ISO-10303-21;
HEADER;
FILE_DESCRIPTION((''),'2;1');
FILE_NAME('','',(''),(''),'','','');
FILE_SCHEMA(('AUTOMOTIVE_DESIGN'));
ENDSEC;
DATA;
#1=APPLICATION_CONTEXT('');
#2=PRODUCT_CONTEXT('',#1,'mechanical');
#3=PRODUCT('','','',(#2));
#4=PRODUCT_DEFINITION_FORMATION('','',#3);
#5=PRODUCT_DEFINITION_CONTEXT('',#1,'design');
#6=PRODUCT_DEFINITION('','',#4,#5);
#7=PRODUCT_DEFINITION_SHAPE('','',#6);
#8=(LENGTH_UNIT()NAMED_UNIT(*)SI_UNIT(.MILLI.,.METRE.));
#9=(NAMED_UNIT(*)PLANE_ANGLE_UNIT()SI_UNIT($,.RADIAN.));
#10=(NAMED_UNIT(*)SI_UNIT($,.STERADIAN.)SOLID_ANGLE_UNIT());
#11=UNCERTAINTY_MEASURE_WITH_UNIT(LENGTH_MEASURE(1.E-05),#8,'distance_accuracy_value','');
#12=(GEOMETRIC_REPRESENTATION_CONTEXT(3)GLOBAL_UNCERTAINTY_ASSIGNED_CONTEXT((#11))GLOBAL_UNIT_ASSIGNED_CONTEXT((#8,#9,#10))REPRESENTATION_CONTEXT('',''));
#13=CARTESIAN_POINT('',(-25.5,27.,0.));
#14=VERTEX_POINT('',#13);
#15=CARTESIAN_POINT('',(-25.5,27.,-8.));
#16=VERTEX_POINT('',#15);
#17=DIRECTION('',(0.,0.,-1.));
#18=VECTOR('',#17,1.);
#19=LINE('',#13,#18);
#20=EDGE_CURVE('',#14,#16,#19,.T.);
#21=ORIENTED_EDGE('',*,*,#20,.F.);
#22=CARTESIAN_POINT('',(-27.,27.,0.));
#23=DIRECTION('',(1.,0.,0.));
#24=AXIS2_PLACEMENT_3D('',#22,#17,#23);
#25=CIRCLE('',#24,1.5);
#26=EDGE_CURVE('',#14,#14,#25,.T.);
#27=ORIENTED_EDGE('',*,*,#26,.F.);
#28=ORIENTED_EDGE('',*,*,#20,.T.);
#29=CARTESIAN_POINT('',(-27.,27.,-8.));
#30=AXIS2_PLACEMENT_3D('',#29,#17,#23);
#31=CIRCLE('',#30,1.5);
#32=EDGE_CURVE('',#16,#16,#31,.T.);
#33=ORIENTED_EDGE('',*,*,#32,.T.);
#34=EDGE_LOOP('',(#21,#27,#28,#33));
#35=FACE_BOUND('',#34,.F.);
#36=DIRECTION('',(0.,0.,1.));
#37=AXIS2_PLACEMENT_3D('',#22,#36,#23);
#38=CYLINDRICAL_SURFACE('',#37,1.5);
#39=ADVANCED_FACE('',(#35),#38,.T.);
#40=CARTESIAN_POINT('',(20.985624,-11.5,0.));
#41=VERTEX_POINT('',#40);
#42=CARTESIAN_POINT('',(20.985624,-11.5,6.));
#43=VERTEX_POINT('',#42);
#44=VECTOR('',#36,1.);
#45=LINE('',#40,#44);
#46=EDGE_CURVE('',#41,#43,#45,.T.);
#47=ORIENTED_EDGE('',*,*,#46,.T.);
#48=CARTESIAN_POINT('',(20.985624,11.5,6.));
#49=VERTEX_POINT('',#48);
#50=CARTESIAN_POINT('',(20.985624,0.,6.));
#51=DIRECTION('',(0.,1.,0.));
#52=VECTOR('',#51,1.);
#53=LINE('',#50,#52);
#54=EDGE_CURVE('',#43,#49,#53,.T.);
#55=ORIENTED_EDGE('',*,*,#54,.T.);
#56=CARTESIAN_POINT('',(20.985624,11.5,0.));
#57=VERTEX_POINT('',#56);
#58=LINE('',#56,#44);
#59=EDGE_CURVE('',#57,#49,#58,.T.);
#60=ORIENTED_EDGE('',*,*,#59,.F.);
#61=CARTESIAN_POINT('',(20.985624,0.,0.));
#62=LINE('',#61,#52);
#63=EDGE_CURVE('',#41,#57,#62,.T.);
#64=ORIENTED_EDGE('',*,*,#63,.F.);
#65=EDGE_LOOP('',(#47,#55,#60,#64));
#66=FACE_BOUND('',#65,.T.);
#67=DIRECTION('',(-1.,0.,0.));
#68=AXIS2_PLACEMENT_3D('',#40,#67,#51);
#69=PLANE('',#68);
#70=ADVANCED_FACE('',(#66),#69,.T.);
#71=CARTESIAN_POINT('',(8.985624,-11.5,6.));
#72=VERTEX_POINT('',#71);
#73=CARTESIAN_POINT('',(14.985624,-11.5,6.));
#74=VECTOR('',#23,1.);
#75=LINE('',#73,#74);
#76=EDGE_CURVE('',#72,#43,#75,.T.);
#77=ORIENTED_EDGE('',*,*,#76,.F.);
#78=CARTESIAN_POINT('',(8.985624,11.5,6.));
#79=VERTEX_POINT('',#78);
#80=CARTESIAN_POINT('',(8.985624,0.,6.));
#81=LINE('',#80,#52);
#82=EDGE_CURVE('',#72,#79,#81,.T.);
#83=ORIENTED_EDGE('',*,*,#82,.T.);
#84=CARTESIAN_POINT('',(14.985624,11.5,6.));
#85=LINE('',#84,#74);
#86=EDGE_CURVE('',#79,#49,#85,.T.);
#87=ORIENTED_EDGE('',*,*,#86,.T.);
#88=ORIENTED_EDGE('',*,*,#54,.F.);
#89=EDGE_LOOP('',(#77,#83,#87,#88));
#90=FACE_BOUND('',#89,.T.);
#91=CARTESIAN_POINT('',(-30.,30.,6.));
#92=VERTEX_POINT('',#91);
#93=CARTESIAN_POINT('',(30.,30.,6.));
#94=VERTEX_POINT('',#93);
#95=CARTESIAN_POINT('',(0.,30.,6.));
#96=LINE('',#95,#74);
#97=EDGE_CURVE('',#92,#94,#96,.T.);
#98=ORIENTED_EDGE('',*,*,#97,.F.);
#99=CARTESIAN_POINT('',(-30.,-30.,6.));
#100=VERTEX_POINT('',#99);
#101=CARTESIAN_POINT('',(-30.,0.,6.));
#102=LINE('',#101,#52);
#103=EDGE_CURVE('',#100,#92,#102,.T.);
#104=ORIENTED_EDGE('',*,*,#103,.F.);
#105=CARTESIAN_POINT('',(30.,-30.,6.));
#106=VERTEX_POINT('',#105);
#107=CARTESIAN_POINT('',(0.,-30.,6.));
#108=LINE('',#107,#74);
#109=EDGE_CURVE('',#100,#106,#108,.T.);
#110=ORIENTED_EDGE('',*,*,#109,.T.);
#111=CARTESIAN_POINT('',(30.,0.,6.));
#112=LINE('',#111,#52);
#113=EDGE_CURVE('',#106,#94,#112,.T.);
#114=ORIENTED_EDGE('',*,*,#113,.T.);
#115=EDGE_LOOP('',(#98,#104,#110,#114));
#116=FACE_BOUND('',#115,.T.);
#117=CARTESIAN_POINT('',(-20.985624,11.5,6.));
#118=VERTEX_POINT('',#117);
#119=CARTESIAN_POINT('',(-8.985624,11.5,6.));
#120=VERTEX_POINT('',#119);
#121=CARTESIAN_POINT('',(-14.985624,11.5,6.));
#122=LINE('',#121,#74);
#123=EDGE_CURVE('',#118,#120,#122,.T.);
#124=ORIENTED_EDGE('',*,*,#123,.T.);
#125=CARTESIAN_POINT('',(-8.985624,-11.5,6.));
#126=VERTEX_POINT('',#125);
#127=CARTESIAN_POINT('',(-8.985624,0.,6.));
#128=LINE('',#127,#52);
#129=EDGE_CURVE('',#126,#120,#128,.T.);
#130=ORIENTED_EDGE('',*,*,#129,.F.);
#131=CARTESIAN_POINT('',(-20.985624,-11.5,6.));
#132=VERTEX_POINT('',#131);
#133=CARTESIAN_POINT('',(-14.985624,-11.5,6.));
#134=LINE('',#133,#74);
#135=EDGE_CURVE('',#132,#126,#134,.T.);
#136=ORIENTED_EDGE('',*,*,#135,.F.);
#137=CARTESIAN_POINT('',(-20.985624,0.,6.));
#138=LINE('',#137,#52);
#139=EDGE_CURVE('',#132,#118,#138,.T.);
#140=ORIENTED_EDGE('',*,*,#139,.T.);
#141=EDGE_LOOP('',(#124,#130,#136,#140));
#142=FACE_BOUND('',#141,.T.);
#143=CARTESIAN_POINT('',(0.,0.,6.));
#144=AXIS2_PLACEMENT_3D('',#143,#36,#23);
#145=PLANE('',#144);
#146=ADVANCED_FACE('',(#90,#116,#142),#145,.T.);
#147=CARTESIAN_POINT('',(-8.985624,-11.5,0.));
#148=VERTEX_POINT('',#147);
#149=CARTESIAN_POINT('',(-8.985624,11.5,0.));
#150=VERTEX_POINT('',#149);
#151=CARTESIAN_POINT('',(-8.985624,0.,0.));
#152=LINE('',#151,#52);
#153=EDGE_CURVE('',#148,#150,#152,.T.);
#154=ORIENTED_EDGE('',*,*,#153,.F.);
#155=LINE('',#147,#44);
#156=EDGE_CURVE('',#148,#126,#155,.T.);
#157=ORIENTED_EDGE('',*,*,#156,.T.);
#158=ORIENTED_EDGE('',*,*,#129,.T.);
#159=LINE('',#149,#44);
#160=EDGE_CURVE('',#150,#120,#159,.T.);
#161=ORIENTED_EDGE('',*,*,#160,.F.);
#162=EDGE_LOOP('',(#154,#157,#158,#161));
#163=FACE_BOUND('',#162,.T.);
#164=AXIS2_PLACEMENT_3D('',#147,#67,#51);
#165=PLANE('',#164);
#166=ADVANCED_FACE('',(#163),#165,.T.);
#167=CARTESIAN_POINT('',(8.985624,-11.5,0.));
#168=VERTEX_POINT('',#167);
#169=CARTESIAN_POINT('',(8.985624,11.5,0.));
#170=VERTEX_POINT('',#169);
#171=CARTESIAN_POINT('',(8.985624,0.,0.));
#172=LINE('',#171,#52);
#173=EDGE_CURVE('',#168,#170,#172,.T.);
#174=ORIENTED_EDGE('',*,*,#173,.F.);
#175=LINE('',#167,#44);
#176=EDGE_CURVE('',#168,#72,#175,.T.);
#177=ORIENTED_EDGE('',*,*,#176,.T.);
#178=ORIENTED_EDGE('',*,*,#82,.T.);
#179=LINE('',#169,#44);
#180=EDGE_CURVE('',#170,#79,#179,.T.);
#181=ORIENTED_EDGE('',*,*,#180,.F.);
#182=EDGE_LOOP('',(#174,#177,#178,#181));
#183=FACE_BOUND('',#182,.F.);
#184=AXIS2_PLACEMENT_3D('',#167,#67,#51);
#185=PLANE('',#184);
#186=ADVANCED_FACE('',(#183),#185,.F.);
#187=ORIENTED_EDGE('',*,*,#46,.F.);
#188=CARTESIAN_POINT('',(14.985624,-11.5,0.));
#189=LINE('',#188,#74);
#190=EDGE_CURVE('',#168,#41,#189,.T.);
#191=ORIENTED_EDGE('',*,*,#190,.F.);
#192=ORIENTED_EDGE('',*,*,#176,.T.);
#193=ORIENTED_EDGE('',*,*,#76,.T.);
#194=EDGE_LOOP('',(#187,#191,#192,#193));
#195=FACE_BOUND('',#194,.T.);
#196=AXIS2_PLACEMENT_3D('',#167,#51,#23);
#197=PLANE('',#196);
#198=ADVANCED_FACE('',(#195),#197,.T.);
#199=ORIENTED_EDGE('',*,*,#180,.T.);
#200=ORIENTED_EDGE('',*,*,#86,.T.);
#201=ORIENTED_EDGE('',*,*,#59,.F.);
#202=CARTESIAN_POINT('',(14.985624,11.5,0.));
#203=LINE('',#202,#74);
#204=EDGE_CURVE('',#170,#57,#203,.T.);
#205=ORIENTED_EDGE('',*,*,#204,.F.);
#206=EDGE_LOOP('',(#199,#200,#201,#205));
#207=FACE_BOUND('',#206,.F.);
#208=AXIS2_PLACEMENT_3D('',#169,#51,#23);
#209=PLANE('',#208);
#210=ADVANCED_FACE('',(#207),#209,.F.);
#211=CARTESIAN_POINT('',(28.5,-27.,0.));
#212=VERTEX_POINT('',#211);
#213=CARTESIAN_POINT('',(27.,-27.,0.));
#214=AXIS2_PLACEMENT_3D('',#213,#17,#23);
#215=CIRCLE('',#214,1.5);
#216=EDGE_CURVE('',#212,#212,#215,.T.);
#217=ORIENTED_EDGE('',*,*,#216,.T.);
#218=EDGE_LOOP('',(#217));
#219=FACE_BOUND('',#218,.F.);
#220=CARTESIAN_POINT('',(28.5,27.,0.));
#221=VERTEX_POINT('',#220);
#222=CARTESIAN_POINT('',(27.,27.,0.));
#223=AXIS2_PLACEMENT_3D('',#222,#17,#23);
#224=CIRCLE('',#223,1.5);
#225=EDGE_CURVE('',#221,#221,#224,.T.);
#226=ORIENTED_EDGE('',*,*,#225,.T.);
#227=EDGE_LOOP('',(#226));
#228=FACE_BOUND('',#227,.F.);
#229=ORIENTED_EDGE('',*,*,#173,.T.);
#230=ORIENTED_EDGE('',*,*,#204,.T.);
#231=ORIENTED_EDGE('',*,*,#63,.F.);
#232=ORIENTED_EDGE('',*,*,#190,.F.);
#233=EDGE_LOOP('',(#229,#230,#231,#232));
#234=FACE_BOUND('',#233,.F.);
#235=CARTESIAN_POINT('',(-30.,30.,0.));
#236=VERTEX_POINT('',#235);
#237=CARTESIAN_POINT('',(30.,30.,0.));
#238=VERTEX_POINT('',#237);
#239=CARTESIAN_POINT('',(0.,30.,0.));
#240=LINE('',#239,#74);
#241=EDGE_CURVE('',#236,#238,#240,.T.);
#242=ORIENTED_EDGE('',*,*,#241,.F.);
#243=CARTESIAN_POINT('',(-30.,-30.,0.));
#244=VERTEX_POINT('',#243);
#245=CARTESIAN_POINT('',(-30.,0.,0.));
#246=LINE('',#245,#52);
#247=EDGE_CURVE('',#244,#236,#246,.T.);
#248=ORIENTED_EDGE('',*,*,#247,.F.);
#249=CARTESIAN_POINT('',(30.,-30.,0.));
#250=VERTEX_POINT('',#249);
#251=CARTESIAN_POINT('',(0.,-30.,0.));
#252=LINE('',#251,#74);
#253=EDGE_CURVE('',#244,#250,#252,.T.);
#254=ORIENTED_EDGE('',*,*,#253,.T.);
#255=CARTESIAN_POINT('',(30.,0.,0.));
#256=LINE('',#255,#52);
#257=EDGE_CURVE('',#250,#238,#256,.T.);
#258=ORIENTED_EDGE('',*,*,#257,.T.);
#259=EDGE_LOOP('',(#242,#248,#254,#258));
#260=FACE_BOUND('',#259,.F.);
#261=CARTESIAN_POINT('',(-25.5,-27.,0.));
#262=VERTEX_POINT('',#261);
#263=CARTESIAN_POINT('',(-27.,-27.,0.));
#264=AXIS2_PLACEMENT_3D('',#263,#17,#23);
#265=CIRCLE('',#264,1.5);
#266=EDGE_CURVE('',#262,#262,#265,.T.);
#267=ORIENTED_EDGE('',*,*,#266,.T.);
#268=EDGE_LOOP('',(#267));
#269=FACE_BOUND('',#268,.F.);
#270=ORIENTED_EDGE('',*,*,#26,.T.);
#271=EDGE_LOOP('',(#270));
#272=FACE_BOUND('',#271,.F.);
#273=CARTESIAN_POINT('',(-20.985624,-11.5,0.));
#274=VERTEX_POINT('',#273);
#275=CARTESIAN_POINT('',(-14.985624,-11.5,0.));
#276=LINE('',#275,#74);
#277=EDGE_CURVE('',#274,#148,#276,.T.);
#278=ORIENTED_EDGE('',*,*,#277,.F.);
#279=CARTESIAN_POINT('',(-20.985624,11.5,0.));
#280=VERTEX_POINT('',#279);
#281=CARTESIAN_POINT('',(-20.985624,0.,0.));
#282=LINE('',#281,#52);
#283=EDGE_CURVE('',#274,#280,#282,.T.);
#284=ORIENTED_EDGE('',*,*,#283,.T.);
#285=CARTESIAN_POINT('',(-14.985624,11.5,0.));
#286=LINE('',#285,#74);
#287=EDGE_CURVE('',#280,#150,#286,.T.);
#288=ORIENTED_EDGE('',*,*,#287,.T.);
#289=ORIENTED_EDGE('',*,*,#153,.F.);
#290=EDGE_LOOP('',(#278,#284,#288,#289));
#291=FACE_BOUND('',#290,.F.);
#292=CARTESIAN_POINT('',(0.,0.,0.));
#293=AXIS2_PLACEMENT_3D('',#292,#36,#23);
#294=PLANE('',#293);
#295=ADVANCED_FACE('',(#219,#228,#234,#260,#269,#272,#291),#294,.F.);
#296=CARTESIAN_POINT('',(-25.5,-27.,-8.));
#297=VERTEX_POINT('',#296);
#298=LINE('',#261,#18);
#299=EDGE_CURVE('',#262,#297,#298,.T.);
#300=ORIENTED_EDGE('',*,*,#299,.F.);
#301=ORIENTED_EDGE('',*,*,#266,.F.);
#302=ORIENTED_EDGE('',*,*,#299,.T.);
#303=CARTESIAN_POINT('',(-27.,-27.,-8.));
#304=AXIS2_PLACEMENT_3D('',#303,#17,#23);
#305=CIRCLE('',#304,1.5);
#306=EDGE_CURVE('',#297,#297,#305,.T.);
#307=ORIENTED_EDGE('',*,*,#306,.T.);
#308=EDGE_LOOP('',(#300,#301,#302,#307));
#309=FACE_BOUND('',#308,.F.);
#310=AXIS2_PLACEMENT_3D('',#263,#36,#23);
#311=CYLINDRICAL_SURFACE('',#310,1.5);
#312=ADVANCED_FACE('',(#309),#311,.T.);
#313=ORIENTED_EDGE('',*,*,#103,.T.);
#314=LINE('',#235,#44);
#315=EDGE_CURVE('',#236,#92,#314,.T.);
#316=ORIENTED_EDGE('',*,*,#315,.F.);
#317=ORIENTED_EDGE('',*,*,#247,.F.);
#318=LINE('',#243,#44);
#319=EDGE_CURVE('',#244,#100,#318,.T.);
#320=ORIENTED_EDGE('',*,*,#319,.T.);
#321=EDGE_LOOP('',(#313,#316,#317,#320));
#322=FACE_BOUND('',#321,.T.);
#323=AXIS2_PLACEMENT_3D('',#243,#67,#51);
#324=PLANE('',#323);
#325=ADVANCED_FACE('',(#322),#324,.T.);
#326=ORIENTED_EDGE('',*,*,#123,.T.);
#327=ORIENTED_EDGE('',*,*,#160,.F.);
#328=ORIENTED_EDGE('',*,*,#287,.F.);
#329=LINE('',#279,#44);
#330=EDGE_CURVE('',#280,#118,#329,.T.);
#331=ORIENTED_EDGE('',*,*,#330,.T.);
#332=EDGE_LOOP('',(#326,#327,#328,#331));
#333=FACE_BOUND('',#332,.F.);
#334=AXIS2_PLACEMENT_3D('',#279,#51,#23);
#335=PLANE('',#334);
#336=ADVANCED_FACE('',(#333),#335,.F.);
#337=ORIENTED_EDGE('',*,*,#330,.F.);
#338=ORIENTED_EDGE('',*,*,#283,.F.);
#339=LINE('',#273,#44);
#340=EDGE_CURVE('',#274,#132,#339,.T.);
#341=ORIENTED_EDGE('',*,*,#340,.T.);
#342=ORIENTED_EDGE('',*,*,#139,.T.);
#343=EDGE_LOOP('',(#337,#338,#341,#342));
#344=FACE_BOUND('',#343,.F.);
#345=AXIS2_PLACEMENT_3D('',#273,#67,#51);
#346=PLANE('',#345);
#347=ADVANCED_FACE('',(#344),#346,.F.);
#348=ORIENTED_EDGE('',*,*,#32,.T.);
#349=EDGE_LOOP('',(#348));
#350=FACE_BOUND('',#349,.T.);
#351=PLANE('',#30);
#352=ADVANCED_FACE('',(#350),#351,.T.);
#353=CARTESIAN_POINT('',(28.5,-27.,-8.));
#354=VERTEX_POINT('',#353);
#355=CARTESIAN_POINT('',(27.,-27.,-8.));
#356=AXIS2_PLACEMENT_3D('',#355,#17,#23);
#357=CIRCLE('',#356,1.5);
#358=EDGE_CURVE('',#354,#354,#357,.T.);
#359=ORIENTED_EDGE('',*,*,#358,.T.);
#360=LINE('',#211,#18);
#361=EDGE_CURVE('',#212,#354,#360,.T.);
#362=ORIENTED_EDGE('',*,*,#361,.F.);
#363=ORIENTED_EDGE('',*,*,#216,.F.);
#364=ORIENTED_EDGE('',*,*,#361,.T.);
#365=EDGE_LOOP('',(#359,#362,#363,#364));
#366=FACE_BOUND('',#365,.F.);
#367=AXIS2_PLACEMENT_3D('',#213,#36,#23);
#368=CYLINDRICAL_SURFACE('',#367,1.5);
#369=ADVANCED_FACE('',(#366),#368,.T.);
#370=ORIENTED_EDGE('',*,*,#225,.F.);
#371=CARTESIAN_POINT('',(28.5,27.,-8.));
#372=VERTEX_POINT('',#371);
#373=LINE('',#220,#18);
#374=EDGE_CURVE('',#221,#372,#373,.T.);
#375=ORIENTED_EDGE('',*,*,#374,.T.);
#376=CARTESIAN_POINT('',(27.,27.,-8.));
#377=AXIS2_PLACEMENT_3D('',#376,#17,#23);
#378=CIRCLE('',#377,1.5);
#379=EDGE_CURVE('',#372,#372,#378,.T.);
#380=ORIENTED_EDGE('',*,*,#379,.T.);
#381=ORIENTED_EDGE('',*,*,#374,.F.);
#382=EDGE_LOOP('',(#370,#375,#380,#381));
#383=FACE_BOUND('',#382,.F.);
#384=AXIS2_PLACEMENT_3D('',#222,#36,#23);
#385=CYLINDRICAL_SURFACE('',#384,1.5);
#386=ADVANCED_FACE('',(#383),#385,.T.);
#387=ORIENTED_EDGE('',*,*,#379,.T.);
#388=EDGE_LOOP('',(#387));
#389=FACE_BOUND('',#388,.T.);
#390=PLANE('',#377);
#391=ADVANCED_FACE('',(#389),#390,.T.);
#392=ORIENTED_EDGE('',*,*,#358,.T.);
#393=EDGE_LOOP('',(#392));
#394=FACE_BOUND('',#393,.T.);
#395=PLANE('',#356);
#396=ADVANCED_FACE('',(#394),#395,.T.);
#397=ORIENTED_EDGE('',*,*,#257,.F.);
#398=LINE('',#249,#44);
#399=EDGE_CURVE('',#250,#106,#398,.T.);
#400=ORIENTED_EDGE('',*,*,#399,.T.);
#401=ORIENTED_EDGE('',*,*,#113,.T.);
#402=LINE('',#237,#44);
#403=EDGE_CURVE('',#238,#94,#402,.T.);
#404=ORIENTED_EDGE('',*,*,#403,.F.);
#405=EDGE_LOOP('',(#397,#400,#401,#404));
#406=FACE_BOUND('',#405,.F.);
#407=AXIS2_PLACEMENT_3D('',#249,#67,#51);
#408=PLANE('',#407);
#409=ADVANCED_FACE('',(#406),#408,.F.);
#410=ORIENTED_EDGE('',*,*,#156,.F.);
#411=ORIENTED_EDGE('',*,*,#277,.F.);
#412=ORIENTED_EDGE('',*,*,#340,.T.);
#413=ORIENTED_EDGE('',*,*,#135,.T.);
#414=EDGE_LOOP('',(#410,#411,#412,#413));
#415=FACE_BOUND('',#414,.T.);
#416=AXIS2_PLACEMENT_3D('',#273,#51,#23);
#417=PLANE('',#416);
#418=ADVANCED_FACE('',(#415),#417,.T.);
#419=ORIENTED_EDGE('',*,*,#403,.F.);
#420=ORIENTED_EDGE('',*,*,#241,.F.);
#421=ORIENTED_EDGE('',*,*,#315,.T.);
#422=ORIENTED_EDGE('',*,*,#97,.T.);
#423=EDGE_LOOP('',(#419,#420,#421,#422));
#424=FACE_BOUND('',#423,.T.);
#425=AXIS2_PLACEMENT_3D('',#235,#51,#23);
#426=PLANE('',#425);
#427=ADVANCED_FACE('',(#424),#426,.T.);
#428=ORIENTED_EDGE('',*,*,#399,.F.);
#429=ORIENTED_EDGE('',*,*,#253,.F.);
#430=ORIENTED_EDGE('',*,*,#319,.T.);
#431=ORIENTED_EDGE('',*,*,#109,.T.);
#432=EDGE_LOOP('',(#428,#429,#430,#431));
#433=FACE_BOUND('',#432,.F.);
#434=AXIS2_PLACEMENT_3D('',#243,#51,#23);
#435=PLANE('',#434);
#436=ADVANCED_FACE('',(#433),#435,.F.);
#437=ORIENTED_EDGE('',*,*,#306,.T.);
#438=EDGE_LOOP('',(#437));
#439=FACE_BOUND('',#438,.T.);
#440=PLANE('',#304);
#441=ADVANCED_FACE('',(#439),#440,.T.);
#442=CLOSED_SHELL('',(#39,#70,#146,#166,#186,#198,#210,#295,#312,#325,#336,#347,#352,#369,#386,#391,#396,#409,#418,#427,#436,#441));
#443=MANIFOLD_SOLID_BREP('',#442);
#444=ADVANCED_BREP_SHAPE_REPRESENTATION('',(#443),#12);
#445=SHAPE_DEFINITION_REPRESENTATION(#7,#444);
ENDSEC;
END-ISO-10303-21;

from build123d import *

# Parameters (mm, degrees)
F0_W     = 60
F0_H     = 60
F0_W_2   = 12
F0_H_2   = 23
F1_DEPTH = 6
F2_R     = 1.5
F3_DEPTH = 8


with BuildPart() as f1:
    # F0 (on Top) → F1 (new body)
    with BuildSketch(Plane.XY):
        Rectangle(F0_W, F0_H)
        with Locations((-14.985624, 0)):
            Rectangle(F0_W_2, F0_H_2, mode=Mode.SUBTRACT)
        with Locations((14.985624, 0)):
            Rectangle(F0_W_2, F0_H_2, mode=Mode.SUBTRACT)
    extrude(amount=F1_DEPTH)

    # F2 (on face) → F3 (join)
    with BuildSketch(Plane(origin=(0, 0, 0), x_dir=(1, 0, 0), z_dir=(0, 0, -1))):
        with Locations((-27, 27)):
            Circle(F2_R)
        with Locations((27, 27)):
            Circle(F2_R)
        with Locations((27, -27)):
            Circle(F2_R)
        with Locations((-27, -27)):
            Circle(F2_R)
    extrude(amount=F3_DEPTH)


solid = f1.part
